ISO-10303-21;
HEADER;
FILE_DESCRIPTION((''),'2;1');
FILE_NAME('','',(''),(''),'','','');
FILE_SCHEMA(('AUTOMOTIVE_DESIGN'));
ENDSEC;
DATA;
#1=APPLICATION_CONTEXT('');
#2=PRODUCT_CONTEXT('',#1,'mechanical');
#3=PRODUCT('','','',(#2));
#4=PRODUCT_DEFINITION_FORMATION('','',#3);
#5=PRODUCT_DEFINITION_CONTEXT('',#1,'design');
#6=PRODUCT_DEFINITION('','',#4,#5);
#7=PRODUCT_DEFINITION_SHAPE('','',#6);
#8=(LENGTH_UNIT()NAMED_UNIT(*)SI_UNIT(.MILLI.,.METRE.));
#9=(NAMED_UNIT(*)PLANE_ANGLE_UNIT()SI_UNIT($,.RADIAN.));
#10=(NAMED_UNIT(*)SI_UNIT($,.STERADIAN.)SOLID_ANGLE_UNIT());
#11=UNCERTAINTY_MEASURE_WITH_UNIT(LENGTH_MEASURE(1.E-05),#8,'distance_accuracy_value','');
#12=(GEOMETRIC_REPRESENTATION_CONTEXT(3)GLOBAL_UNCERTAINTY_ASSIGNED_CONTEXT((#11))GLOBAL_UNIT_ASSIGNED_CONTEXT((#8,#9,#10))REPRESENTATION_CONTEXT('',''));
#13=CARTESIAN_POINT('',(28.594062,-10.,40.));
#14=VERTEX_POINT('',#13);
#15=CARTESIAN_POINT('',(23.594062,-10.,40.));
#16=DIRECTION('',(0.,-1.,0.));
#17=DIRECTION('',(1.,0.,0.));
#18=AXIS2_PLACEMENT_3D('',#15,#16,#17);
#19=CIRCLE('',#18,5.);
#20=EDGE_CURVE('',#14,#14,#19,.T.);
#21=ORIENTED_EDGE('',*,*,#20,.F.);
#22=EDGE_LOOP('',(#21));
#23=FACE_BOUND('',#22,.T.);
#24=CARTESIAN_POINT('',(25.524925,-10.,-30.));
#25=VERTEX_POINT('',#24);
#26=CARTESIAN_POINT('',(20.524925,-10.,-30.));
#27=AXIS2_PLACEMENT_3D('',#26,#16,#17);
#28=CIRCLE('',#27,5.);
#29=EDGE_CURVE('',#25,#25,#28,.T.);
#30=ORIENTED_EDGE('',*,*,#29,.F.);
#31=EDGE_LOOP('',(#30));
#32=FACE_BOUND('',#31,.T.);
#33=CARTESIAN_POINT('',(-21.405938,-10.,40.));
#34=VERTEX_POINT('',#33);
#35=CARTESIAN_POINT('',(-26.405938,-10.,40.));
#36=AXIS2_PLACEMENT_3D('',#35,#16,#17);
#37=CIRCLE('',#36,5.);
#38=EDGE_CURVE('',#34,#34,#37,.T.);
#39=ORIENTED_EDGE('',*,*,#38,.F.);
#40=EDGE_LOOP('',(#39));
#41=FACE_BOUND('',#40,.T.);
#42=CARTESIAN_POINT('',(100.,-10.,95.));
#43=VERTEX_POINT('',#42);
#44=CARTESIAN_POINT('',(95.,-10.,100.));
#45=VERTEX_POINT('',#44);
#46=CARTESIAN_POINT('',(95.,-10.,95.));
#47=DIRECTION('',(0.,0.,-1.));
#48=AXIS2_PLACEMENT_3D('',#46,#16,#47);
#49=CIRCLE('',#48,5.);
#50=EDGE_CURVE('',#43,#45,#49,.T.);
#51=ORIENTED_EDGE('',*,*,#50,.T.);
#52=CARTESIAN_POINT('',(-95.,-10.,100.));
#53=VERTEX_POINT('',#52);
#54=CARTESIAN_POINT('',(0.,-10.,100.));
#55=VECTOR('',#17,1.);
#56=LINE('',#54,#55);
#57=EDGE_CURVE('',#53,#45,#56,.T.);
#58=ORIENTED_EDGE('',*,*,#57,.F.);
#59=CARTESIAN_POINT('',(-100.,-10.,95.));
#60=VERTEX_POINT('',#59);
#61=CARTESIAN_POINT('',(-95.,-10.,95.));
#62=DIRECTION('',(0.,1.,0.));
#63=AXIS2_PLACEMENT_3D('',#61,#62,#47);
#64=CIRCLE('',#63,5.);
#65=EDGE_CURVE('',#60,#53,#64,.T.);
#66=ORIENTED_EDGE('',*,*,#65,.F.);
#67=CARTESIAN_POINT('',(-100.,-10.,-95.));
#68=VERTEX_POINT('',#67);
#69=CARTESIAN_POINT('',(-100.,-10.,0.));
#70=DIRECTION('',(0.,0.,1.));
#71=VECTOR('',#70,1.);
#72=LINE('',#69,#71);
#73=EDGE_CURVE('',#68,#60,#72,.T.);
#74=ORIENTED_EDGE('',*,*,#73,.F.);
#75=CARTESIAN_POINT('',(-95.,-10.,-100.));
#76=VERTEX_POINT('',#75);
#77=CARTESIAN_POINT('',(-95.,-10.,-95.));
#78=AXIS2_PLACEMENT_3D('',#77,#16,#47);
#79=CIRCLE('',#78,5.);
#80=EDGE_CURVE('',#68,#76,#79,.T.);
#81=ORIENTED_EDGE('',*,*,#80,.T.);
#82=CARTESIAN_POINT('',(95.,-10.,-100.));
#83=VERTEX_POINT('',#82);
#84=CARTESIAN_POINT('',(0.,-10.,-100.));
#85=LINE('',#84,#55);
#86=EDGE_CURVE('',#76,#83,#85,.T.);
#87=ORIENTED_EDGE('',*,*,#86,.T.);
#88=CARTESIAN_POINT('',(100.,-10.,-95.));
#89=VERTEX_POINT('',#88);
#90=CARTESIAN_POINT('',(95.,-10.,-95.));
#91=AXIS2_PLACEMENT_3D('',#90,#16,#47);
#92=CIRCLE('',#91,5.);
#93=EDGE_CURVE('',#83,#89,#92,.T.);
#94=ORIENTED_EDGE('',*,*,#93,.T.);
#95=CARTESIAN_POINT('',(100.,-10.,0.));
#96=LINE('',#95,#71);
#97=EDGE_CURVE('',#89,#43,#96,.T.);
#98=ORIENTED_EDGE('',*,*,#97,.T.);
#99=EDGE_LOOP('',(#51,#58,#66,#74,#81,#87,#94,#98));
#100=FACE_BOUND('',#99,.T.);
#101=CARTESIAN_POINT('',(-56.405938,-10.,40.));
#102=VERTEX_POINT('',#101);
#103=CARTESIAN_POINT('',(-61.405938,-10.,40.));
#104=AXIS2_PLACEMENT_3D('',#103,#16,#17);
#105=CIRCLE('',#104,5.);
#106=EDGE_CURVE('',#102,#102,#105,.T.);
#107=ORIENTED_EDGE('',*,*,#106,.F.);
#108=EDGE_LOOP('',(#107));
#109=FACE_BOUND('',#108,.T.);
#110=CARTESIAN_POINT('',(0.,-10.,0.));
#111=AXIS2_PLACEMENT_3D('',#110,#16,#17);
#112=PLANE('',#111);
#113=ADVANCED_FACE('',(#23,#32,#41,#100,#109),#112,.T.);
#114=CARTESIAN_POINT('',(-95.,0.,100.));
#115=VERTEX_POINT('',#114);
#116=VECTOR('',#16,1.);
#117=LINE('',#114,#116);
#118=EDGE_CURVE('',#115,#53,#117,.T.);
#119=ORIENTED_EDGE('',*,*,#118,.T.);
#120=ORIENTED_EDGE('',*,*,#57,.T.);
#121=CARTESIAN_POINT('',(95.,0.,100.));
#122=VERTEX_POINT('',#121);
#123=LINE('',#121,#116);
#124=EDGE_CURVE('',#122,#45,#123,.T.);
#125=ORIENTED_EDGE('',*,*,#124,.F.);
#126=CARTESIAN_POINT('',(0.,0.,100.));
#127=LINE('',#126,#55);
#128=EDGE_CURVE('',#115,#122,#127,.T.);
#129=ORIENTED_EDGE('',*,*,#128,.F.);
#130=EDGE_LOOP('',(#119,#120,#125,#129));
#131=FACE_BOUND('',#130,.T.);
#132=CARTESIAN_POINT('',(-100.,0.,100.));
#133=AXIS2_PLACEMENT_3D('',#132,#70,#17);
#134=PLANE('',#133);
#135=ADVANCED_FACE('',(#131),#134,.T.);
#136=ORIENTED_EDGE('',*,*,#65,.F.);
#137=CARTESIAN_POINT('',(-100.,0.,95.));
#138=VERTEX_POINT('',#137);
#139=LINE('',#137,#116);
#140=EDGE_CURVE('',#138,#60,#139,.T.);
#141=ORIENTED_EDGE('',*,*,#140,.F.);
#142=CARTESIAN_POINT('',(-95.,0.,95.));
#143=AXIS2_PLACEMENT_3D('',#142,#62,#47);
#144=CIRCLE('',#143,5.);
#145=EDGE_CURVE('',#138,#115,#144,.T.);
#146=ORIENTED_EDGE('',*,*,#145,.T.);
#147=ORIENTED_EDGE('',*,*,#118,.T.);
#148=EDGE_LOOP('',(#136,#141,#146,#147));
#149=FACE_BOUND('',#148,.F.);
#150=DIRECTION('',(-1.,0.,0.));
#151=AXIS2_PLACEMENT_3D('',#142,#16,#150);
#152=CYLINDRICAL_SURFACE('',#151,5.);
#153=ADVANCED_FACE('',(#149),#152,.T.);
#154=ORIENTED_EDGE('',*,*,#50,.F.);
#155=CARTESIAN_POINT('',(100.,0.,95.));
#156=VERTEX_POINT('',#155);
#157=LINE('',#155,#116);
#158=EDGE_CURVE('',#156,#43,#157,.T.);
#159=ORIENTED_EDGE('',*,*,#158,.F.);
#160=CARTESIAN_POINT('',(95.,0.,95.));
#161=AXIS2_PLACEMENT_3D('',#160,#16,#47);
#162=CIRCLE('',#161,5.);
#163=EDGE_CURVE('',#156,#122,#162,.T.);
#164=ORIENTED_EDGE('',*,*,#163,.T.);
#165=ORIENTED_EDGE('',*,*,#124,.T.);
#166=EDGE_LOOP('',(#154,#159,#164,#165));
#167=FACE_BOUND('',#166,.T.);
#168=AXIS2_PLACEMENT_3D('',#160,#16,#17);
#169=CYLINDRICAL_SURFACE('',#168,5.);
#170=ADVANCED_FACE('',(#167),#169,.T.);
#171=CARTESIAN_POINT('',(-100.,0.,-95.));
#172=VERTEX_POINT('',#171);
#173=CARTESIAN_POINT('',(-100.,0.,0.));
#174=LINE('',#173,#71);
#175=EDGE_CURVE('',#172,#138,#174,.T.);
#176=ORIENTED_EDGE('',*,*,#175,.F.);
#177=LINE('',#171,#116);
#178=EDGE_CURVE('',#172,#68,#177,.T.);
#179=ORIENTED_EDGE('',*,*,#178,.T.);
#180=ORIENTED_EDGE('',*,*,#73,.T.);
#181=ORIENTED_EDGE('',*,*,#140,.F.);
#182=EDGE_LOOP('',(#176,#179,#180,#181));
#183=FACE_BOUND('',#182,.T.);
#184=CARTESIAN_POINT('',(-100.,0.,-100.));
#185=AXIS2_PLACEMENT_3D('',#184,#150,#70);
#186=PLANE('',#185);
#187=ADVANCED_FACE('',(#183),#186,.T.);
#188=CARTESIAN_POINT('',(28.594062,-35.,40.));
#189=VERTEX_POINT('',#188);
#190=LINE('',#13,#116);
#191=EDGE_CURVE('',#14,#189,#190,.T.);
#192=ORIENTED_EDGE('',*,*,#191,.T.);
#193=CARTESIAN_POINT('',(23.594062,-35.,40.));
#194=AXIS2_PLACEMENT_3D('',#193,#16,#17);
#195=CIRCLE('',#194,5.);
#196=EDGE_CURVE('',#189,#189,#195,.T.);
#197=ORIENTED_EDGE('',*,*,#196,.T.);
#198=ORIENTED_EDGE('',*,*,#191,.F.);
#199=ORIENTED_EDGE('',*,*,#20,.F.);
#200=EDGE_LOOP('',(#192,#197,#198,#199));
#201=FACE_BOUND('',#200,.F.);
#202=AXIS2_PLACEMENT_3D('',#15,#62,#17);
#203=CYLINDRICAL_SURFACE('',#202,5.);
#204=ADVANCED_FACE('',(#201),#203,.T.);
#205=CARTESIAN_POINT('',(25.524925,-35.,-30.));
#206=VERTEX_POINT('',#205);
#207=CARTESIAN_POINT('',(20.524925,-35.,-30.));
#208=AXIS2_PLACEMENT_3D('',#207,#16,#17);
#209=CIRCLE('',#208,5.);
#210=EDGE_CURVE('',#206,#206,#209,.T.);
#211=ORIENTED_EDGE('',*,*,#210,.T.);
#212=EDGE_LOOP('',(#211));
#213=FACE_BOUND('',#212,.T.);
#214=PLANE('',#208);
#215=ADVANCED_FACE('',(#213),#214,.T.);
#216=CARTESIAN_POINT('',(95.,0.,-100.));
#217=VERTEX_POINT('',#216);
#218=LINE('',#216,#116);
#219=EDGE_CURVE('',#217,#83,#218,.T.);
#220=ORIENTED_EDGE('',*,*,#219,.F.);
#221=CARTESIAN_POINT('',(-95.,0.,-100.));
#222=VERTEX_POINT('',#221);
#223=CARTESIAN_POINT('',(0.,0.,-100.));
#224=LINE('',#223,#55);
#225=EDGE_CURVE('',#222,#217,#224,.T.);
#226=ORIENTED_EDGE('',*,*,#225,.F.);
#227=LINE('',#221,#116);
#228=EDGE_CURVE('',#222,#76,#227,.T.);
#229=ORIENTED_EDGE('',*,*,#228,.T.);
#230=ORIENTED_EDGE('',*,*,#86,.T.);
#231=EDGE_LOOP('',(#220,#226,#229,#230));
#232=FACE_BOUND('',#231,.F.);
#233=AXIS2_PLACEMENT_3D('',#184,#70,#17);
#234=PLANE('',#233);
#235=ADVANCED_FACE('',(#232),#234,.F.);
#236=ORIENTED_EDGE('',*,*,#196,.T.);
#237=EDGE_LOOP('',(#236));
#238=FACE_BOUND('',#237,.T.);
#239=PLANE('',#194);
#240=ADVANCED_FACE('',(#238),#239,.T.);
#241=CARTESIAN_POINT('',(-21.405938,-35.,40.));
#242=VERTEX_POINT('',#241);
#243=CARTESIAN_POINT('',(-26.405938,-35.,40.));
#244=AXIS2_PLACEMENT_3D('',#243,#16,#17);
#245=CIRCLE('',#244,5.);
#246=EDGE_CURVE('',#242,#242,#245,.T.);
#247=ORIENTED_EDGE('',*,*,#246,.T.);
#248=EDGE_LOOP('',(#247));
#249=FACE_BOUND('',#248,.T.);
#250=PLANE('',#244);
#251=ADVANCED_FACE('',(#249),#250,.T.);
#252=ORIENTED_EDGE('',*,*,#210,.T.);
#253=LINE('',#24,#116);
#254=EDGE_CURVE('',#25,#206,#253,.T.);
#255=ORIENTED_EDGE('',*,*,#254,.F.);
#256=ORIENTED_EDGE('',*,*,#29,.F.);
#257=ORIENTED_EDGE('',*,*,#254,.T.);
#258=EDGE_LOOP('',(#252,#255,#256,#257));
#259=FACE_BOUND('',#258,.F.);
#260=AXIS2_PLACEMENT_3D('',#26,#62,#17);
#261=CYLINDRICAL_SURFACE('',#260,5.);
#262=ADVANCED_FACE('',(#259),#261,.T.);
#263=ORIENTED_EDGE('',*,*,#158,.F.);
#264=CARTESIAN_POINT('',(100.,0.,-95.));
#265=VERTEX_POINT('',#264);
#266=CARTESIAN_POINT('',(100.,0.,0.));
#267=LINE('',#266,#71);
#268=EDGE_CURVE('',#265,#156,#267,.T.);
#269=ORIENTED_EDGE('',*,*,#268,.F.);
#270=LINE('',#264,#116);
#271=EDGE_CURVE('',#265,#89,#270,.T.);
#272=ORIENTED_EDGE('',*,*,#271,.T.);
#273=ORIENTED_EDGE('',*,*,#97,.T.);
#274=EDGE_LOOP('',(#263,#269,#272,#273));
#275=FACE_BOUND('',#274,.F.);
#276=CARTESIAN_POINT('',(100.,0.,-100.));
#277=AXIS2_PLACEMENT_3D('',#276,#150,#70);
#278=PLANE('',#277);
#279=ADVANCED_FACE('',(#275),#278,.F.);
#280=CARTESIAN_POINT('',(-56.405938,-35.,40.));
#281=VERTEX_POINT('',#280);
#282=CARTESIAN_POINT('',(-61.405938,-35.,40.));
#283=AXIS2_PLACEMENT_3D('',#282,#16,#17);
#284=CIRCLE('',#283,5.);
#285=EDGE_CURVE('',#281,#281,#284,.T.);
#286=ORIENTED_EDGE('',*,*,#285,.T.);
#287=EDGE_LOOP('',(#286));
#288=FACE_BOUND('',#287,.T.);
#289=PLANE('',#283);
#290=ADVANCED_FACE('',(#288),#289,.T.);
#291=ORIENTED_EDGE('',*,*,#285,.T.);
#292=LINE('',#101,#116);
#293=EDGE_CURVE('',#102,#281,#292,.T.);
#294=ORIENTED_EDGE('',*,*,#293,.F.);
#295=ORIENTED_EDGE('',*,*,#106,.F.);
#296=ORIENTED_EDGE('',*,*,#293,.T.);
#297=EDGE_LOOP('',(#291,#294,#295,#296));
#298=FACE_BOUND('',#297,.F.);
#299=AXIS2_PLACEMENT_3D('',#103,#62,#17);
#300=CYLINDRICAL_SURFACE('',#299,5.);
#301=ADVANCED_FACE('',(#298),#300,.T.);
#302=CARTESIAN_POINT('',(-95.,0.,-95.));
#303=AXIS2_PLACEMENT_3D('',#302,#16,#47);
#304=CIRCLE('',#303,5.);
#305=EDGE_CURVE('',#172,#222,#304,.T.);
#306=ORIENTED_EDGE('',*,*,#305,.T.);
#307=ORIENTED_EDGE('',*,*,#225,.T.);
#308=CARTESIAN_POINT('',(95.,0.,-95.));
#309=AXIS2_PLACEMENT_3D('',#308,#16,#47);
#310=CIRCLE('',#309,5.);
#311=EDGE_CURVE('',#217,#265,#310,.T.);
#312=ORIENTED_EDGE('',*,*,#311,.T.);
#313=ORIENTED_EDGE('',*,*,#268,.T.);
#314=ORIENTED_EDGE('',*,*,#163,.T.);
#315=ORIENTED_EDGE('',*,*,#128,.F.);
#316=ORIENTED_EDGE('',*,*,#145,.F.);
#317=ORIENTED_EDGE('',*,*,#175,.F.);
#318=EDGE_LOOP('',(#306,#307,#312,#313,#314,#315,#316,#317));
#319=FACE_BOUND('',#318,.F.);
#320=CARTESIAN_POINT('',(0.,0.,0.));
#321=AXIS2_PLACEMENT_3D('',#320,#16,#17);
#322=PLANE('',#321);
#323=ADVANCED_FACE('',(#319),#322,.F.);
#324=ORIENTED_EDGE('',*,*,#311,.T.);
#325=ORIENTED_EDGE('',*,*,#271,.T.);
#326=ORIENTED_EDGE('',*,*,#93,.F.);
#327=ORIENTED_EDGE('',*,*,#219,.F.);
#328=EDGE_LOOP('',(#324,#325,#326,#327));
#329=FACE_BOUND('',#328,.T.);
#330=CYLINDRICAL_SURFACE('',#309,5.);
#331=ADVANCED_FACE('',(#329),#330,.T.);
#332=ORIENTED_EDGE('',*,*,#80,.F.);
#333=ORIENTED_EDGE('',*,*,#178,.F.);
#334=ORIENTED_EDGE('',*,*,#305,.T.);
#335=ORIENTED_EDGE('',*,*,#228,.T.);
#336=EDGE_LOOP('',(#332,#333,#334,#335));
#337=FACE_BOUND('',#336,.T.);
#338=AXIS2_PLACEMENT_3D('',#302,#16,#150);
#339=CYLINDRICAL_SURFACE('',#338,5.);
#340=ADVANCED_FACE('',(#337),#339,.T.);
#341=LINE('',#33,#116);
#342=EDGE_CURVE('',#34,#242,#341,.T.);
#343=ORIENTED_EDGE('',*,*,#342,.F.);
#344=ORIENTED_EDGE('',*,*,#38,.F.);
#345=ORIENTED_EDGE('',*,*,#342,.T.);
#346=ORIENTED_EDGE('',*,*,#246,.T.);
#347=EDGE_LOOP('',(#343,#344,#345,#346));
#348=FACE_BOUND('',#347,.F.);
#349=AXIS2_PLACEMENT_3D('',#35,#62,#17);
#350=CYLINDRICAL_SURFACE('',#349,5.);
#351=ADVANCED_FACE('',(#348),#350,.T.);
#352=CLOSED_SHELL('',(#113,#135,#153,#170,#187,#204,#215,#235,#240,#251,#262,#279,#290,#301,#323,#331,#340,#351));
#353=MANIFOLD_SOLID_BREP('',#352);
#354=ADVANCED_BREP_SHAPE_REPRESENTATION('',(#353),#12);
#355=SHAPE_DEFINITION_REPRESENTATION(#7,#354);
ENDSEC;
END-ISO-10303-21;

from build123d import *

# Parameters (mm, degrees)
F0_W     = 200
F0_H     = 200
F1_DEPTH = 10
F2_R     = 5
F3_R     = 5
F4_DEPTH = 25


with BuildPart() as f1:
    # F0 (on Front) → F1 (new body)
    with BuildSketch(Plane.XZ):
        Rectangle(F0_W, F0_H)
    extrude(amount=F1_DEPTH)

    # F2
    f2_edges = [f1.edges().sort_by_distance(p)[0] for p in [
        (-100, -5, 100),
        (-100, -5, -100),
        (100, -5, -100),
        (100, -5, 100),
    ]]
    fillet(f2_edges, radius=F2_R)

    # F3 (on face) → F4 (join)
    with BuildSketch(Plane.XZ.offset(10)):
        with Locations((-61.405938, 40)):
            Circle(F3_R)
        with Locations((-26.405938, 40)):
            Circle(F3_R)
        with Locations((23.594062, 40)):
            Circle(F3_R)
        with Locations((20.524925, -30)):
            Circle(F3_R)
    extrude(amount=F4_DEPTH)


solid = f1.part
